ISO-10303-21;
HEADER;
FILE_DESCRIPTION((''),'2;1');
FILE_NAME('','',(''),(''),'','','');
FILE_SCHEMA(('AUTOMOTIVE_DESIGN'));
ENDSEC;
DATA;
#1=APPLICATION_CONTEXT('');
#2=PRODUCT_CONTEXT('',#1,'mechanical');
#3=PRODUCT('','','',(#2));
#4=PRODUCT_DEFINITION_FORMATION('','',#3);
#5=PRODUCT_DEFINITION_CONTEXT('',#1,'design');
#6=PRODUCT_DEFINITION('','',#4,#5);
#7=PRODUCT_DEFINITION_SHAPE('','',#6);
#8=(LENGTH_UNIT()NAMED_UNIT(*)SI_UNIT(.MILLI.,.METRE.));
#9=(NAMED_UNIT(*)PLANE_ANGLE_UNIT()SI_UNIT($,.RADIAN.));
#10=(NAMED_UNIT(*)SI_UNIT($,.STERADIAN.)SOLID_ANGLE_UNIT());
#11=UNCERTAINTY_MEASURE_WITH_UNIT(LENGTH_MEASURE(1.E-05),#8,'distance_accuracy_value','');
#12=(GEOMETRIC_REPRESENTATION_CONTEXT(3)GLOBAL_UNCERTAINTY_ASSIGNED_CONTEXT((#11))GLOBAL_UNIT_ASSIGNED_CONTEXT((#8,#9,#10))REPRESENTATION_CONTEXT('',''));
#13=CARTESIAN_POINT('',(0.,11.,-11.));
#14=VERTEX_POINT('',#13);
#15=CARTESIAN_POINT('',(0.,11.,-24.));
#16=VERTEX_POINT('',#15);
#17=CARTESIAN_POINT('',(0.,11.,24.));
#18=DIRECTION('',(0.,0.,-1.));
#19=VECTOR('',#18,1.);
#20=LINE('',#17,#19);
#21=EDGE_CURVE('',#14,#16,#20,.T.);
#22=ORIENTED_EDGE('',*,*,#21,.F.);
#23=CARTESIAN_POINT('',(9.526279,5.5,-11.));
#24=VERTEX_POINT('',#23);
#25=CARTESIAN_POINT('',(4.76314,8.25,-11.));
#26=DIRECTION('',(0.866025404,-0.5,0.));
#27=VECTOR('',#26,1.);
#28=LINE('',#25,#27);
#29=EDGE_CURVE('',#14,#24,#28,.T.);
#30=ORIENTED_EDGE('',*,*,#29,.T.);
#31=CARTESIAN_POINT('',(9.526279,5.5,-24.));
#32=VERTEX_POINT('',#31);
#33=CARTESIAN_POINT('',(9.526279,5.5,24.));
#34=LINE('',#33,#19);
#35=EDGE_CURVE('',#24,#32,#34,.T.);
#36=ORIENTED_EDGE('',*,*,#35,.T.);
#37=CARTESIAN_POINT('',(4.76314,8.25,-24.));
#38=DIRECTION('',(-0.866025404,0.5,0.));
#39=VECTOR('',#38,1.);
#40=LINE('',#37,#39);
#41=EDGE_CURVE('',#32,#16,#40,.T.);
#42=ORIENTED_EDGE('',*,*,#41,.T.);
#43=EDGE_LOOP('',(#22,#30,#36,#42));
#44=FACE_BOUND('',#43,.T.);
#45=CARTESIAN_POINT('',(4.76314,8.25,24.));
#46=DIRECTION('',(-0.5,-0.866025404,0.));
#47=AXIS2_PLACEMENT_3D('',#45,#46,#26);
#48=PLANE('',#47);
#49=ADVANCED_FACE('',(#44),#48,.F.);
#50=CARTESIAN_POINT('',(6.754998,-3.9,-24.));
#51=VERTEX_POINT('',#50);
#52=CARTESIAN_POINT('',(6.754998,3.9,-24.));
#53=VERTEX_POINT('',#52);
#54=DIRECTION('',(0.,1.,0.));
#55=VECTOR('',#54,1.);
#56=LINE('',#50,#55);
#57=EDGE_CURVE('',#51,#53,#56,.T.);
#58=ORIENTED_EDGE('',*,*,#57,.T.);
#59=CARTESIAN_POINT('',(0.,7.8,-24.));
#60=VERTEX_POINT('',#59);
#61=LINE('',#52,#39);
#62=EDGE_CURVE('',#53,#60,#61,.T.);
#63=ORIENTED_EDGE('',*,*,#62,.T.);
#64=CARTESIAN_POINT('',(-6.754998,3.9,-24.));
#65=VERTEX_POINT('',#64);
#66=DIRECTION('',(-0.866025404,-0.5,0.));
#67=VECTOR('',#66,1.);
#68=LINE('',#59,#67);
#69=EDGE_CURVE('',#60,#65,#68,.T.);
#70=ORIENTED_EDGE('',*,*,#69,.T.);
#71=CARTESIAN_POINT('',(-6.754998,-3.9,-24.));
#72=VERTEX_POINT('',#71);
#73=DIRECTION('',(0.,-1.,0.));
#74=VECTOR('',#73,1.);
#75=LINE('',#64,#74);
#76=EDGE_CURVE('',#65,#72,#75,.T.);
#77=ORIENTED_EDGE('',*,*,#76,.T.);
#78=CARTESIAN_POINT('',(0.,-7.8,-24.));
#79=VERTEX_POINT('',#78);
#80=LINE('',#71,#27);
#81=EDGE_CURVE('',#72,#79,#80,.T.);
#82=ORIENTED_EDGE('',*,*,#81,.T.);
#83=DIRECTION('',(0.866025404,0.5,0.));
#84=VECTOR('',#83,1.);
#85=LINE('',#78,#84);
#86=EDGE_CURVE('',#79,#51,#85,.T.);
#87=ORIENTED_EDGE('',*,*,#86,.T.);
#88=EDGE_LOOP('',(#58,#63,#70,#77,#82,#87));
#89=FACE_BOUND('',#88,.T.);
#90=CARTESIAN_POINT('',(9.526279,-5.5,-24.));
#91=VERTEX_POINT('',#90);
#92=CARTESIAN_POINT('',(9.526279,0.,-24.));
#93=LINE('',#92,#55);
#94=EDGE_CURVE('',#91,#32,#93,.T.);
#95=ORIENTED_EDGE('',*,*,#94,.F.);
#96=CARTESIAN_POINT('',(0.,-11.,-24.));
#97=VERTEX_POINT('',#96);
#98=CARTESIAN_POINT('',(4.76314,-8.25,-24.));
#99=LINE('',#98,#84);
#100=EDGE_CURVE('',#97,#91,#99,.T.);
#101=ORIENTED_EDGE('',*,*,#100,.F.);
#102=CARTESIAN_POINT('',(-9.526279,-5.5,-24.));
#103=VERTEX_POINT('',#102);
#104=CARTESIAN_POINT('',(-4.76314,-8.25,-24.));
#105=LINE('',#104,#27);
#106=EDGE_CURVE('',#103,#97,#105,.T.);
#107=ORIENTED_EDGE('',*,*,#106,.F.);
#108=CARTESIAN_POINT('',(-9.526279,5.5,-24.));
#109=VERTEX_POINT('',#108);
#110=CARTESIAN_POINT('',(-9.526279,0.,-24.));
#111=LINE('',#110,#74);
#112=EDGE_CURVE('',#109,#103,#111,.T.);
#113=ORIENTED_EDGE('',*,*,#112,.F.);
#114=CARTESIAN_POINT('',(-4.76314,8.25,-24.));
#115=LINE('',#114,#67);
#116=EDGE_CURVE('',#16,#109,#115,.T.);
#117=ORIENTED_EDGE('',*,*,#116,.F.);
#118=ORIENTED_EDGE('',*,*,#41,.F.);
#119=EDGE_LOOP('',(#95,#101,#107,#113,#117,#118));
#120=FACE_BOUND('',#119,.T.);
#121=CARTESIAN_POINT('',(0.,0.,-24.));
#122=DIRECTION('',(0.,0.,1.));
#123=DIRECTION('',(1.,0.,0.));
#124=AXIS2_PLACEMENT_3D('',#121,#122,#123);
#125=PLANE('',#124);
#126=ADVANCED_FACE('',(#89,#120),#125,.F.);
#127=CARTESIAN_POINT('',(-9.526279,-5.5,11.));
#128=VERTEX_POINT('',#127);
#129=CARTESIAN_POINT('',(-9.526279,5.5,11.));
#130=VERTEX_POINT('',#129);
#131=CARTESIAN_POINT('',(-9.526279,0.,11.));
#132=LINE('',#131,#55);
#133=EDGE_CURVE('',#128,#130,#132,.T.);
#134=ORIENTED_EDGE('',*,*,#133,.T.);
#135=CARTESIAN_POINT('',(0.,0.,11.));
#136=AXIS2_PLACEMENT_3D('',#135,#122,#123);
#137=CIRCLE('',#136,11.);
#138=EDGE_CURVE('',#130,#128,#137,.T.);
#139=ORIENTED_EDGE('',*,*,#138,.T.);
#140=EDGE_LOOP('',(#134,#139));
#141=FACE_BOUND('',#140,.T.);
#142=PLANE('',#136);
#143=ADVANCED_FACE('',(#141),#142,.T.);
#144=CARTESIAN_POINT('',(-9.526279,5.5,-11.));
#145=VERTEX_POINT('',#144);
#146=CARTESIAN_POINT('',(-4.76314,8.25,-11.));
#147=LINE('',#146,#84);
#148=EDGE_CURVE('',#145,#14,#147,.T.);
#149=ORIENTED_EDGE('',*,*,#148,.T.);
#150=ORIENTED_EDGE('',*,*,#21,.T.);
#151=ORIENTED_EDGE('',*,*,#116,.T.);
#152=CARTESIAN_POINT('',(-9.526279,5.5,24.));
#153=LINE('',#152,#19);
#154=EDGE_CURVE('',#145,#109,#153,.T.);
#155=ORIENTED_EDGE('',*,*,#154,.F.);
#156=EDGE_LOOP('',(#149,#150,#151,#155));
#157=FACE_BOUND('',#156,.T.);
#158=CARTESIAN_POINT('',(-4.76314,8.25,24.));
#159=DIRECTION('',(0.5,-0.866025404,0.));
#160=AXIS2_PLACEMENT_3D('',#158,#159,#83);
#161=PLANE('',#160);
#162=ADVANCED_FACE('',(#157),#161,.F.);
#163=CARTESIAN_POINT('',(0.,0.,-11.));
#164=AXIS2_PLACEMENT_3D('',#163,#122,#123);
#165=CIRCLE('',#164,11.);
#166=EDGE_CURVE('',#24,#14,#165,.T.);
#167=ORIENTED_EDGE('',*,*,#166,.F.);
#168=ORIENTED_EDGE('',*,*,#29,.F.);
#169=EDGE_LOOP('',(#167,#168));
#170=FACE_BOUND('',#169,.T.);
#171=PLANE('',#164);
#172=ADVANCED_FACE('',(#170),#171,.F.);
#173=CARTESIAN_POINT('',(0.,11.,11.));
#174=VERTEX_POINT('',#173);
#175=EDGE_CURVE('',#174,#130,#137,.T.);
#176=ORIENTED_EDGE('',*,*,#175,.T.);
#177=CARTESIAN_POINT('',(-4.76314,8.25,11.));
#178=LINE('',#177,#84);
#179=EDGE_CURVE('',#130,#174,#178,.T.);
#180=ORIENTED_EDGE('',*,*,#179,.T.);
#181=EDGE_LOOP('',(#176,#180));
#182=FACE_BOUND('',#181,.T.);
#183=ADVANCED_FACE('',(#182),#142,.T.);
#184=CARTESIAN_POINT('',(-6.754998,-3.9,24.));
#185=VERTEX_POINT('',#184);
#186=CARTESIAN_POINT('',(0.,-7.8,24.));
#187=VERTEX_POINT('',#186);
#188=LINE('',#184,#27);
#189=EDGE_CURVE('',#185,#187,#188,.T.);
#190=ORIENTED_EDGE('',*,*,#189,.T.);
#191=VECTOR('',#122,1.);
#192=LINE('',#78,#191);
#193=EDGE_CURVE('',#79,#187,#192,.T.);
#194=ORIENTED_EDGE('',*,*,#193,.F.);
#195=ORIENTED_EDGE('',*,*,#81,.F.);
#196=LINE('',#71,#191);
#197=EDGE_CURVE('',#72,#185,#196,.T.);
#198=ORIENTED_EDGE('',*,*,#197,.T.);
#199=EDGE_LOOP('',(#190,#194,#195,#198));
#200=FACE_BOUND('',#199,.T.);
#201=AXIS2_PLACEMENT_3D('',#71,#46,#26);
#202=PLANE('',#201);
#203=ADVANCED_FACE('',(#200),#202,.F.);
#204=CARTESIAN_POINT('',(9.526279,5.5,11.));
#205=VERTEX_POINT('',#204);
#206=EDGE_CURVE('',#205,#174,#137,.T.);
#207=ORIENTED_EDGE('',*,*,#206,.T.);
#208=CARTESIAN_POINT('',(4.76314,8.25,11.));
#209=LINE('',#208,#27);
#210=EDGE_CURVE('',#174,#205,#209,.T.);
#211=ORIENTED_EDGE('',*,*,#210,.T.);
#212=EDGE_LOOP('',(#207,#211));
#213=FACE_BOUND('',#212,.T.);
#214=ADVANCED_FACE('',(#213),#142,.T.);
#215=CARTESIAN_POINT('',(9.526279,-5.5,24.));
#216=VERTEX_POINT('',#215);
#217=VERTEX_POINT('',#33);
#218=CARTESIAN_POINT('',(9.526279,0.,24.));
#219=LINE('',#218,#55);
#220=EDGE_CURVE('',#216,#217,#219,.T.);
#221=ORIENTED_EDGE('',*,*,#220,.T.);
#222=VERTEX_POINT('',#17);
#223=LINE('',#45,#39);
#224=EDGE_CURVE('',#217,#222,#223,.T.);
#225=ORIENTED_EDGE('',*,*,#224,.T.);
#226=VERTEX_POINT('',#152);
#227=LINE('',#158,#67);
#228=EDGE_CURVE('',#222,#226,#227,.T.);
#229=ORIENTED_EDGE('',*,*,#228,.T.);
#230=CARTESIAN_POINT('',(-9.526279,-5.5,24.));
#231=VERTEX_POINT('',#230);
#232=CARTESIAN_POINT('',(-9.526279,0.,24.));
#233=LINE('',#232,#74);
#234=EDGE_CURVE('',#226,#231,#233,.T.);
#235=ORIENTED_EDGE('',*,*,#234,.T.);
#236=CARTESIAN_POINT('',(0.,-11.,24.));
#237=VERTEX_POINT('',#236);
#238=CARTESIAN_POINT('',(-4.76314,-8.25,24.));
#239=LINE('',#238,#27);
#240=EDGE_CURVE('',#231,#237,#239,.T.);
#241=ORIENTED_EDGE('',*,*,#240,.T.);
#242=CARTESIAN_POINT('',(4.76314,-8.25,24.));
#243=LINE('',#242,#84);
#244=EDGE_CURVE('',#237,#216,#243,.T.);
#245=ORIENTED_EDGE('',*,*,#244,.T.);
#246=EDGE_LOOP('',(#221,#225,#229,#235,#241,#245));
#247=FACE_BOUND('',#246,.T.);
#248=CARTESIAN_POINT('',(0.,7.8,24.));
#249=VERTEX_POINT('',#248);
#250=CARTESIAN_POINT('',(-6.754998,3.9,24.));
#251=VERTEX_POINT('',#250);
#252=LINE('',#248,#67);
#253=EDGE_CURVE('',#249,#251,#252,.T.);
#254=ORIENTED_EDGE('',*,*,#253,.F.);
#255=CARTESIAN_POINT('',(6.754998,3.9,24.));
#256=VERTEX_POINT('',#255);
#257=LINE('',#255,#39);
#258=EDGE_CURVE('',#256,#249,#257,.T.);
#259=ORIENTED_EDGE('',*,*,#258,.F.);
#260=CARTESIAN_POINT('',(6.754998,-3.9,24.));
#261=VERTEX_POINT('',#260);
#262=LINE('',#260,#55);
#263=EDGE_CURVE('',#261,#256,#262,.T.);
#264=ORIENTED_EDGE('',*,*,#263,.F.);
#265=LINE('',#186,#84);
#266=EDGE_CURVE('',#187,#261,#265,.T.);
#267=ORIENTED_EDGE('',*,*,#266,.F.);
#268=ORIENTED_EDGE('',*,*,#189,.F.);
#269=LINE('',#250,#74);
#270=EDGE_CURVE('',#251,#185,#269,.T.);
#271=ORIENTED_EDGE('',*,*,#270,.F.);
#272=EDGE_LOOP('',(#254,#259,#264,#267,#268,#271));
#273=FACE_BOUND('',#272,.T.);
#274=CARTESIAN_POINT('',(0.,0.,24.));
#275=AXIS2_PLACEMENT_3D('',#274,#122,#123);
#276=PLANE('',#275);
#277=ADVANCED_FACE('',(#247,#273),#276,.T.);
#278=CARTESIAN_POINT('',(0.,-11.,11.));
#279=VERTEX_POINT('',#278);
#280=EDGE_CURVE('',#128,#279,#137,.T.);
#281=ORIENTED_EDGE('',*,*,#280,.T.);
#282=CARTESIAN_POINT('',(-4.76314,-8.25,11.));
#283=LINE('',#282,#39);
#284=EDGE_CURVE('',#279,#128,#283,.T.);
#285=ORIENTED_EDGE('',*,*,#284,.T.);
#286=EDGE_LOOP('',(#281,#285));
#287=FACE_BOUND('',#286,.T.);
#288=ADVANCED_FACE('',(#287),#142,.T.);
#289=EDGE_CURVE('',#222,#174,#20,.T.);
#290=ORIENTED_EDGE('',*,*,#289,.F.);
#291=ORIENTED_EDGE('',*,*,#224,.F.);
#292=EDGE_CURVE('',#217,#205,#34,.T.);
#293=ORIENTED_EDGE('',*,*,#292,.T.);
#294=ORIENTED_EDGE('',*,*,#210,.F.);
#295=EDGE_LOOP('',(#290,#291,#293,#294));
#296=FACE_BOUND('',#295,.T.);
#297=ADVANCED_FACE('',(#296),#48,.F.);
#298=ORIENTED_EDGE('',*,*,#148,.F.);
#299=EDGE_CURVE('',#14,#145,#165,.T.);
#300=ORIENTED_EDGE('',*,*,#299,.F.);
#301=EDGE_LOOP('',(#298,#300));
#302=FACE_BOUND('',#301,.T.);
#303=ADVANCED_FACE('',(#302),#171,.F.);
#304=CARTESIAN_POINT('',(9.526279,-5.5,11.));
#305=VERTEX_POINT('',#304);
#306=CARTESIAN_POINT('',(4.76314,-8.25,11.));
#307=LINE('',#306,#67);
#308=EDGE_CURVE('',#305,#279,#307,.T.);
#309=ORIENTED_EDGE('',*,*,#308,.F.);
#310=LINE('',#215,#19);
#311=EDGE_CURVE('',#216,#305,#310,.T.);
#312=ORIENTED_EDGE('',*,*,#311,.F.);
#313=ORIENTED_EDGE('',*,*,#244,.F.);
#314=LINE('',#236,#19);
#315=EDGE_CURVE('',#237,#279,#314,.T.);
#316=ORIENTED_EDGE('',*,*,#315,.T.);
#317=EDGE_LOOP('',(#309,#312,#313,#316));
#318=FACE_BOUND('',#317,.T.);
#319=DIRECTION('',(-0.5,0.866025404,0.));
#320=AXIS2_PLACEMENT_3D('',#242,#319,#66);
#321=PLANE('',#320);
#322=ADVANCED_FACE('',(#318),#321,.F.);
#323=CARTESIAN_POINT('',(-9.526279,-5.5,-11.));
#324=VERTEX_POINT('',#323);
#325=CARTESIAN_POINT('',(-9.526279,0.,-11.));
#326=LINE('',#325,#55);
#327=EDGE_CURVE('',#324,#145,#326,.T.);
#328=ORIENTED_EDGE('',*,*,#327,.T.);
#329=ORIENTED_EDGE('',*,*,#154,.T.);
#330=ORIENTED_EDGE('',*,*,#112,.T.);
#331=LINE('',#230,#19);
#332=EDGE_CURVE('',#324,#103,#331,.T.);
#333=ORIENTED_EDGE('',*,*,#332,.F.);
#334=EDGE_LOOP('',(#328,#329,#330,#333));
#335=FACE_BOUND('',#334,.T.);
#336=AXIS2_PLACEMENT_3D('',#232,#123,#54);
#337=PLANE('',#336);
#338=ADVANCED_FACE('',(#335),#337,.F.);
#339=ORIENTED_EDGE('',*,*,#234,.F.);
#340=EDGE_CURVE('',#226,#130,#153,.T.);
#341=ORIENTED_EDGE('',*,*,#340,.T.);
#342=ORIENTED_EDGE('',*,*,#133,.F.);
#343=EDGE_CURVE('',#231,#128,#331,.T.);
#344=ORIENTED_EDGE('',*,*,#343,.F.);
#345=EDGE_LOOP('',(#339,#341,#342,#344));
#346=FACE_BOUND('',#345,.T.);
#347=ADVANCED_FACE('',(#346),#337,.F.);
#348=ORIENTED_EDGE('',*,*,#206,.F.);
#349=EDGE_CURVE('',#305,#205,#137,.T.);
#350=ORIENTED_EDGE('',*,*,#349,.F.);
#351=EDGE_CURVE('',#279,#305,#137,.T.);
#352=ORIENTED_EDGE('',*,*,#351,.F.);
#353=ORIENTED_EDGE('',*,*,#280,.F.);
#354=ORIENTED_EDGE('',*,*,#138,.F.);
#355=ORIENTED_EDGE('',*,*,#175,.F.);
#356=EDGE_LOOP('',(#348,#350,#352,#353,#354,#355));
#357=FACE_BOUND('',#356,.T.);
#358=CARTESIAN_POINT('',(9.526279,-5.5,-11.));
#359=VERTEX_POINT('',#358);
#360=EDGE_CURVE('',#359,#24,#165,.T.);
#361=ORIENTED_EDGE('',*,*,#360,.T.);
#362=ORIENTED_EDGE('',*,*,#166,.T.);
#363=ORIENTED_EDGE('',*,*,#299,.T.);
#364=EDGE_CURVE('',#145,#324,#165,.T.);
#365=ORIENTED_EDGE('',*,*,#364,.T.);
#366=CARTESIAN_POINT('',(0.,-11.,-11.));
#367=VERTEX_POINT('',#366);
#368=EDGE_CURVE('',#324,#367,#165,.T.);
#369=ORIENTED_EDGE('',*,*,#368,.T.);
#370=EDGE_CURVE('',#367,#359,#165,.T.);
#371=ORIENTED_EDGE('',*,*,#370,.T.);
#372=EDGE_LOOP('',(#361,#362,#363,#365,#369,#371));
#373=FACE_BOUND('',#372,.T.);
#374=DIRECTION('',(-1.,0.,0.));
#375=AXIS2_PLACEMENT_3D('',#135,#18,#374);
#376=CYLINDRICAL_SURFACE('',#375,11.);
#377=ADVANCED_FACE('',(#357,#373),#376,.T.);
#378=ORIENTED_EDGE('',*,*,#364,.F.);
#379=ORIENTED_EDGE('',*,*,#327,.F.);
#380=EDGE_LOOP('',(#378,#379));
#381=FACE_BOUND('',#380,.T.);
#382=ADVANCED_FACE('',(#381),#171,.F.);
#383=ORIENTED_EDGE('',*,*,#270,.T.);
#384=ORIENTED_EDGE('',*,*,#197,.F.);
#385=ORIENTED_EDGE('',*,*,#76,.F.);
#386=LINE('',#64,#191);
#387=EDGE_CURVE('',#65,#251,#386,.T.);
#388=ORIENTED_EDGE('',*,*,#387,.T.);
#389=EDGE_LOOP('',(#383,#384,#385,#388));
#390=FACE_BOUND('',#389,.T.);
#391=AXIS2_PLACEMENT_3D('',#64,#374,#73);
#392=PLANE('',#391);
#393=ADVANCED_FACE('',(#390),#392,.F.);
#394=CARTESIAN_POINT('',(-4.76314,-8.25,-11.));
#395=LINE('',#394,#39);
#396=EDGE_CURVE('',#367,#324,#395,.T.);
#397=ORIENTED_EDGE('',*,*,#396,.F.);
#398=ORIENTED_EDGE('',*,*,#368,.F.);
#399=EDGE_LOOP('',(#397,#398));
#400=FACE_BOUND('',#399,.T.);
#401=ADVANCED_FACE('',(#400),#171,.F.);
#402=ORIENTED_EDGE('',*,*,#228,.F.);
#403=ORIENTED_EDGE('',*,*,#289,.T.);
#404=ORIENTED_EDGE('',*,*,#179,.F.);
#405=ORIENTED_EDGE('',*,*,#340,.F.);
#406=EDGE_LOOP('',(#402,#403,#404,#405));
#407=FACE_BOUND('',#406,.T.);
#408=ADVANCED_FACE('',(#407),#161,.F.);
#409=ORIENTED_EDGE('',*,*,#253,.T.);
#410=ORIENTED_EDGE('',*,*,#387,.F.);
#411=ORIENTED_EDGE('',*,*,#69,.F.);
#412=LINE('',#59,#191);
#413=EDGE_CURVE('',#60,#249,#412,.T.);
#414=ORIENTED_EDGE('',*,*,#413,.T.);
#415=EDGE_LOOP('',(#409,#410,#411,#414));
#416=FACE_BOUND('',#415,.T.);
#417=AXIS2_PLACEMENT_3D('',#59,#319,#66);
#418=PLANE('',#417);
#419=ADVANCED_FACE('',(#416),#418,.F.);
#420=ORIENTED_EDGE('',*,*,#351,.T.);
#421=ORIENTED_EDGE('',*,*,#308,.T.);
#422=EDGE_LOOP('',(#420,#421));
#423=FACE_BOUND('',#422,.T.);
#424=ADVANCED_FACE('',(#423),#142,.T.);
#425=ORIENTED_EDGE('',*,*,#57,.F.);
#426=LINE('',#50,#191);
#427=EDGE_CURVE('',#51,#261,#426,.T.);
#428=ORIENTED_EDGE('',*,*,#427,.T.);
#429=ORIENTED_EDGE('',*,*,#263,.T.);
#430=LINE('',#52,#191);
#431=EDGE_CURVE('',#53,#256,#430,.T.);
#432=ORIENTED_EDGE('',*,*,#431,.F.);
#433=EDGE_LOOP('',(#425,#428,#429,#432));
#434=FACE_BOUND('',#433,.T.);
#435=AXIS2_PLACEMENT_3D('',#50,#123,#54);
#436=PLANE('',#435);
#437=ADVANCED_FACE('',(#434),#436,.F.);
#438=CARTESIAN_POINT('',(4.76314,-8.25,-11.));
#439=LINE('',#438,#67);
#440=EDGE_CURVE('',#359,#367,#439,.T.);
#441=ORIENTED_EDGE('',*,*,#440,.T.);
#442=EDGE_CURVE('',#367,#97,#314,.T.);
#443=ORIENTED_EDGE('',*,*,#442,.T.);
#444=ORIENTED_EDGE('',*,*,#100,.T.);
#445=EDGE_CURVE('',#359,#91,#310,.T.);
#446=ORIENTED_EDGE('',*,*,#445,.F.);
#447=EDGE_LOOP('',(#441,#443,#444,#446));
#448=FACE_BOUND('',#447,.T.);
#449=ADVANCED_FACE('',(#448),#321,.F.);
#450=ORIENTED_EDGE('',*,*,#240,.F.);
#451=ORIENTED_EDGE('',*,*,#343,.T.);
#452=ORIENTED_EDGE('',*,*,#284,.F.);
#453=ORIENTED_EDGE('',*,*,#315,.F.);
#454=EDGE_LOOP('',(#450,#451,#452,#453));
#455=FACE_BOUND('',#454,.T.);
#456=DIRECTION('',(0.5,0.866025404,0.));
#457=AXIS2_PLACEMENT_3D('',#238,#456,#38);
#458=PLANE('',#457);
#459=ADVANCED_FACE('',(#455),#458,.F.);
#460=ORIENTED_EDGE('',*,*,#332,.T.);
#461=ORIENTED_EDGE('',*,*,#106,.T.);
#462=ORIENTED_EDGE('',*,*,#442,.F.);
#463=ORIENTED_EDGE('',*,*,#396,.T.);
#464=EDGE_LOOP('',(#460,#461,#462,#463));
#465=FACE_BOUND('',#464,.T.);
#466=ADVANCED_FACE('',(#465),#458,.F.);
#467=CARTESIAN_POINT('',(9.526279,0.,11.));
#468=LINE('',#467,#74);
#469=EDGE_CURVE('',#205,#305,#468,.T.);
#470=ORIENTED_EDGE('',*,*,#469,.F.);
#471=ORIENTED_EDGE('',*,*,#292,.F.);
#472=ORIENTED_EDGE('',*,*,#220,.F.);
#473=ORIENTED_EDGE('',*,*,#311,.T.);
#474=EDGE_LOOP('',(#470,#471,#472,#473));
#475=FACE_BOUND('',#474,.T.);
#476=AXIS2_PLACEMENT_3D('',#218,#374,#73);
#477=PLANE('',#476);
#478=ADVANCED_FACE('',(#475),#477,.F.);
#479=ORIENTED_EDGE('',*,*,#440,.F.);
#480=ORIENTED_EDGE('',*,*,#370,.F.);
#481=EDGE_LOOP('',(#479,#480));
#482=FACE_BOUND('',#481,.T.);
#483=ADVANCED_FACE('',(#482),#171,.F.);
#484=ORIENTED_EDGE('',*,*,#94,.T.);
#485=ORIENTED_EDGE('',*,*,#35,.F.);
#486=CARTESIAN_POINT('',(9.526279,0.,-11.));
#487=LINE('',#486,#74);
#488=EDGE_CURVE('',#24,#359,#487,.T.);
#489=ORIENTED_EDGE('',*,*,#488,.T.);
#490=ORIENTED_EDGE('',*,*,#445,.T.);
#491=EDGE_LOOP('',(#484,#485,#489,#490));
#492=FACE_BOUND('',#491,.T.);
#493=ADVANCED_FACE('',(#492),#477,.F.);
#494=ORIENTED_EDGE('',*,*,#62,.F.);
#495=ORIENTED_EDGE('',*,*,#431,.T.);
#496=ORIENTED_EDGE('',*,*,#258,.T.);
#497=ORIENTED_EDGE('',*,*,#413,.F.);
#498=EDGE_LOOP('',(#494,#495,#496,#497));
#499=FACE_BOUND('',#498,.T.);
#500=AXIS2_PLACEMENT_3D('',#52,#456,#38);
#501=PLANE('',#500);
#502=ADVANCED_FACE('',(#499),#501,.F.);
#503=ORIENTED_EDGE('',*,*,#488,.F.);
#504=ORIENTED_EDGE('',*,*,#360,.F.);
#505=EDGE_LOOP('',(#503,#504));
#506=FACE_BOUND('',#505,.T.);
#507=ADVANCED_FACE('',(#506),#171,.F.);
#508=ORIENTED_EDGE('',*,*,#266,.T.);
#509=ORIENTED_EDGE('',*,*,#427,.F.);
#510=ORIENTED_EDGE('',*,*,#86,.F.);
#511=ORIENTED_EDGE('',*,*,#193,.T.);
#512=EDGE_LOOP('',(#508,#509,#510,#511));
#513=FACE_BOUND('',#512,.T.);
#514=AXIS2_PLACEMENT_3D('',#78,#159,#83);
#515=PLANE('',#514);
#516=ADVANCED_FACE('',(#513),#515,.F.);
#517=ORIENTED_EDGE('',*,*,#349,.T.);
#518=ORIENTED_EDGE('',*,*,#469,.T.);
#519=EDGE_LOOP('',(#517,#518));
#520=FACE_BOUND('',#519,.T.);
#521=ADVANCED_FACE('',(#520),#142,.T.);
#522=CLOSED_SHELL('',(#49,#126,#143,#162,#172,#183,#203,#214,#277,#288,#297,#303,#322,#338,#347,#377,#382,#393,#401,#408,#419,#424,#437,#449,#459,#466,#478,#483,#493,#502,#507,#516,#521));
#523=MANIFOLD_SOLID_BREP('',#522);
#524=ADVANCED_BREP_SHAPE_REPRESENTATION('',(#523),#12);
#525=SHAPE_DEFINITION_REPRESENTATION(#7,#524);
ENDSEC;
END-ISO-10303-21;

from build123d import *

# Parameters (mm, degrees)
SKETCH1_R           = 11
SKETCH1_R_2         = 6.4
BOSS_EXTRUDE1_DEPTH = 11
BOSS_EXTRUDE2_DEPTH = 24
CUT_EXTRUDE3_DEPTH  = 51.457903246


with BuildPart() as part:
    # Sketch1 → Boss-Extrude1 (new, symmetric)
    with BuildSketch(Plane.XY):
        Circle(SKETCH1_R)
        Circle(SKETCH1_R_2, mode=Mode.SUBTRACT)
    extrude(amount=BOSS_EXTRUDE1_DEPTH, both=True)

    # Sketch1<3> → Boss-Extrude2 (add, symmetric)
    with BuildSketch(Plane.XY):
        Polygon((-9.526279442, -5.5), (0, -11), (9.526279442, -5.5), (9.526279442, 5.5), (0, 11), (-9.526279442, 5.5), align=None)
    extrude(amount=BOSS_EXTRUDE2_DEPTH, both=True)

    # Sketch2 → Cut-Extrude3 (cut, through all)
    with BuildSketch(Plane.XY.offset(24)):
        Polygon((0, -7.8), (6.75499815, -3.9), (6.75499815, 3.9), (0, 7.8), (-6.75499815, 3.9), (-6.75499815, -3.9), align=None)
    extrude(amount=-CUT_EXTRUDE3_DEPTH, mode=Mode.SUBTRACT)


solid = part.part
